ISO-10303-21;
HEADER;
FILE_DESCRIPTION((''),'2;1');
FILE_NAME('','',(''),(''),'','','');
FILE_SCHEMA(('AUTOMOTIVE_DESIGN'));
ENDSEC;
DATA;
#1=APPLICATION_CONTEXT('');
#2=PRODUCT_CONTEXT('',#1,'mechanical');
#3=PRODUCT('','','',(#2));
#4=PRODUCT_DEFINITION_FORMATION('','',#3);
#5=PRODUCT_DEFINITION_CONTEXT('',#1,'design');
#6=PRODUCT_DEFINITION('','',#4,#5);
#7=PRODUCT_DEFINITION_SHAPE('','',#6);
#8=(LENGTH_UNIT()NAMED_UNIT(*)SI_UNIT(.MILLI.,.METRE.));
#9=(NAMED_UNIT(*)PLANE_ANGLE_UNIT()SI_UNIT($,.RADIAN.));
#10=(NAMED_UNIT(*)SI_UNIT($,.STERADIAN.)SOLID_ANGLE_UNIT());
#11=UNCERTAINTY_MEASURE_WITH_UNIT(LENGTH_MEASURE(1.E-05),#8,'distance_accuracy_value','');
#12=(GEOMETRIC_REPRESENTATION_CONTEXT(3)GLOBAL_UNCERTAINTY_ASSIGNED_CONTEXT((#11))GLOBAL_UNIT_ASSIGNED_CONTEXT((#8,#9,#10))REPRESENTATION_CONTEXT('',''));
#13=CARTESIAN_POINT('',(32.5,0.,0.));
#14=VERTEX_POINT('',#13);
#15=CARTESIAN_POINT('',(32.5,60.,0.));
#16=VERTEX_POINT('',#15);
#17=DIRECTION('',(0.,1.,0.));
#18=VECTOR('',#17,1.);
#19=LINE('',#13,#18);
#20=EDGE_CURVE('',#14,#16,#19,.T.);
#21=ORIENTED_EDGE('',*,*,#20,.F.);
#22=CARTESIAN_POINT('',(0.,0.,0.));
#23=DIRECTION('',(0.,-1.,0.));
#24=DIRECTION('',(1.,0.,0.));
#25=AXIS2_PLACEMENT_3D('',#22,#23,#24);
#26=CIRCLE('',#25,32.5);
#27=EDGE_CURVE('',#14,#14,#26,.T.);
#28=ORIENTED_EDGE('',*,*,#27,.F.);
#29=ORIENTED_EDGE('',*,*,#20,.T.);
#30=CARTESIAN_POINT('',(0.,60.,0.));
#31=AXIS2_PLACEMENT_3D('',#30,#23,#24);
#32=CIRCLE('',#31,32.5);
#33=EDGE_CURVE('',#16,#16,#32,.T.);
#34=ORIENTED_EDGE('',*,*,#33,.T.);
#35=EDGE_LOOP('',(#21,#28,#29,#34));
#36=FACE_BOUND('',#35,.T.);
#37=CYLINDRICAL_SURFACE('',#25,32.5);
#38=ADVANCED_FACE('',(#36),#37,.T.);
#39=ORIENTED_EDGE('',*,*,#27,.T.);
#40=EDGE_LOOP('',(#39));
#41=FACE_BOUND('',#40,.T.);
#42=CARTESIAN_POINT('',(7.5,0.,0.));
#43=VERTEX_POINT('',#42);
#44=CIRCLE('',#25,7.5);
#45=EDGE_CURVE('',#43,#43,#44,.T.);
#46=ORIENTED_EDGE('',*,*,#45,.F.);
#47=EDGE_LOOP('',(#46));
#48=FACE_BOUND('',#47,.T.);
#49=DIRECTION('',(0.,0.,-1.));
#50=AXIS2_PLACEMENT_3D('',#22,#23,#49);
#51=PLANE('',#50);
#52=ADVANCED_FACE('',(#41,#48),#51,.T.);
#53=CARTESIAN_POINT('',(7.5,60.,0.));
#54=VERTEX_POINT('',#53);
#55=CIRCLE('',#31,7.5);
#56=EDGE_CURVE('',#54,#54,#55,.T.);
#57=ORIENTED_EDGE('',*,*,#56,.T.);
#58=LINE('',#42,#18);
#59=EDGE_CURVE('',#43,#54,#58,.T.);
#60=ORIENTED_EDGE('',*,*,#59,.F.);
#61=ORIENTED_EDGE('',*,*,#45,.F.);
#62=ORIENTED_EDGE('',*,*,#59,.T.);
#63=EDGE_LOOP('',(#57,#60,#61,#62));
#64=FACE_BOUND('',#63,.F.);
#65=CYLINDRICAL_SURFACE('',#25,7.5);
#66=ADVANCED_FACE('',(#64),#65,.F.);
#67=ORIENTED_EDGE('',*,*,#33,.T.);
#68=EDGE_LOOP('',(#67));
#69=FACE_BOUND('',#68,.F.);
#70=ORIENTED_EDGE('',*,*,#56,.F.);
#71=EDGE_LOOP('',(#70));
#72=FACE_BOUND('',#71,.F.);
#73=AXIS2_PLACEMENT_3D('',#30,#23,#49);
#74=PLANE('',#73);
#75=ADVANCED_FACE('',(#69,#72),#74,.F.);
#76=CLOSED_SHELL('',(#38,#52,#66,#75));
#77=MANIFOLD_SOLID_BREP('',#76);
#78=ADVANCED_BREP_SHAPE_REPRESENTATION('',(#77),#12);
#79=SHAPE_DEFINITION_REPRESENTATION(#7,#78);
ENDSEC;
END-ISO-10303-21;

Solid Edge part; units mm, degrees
sketch "Sketch1" plane through (0, 0, 0) normal (0, -1, 0) x (1, 0, 0)
  circle A0 centre (0, 0) radius 32.5
  circle A1 centre (0, 0) radius 7.5
  dimension "D1" = 65
  dimension "D2" = 15
extrude "Protrusion1" add sketch "Sketch1" against normal blind 60
properties material "ABS Plastic, medium impact"
